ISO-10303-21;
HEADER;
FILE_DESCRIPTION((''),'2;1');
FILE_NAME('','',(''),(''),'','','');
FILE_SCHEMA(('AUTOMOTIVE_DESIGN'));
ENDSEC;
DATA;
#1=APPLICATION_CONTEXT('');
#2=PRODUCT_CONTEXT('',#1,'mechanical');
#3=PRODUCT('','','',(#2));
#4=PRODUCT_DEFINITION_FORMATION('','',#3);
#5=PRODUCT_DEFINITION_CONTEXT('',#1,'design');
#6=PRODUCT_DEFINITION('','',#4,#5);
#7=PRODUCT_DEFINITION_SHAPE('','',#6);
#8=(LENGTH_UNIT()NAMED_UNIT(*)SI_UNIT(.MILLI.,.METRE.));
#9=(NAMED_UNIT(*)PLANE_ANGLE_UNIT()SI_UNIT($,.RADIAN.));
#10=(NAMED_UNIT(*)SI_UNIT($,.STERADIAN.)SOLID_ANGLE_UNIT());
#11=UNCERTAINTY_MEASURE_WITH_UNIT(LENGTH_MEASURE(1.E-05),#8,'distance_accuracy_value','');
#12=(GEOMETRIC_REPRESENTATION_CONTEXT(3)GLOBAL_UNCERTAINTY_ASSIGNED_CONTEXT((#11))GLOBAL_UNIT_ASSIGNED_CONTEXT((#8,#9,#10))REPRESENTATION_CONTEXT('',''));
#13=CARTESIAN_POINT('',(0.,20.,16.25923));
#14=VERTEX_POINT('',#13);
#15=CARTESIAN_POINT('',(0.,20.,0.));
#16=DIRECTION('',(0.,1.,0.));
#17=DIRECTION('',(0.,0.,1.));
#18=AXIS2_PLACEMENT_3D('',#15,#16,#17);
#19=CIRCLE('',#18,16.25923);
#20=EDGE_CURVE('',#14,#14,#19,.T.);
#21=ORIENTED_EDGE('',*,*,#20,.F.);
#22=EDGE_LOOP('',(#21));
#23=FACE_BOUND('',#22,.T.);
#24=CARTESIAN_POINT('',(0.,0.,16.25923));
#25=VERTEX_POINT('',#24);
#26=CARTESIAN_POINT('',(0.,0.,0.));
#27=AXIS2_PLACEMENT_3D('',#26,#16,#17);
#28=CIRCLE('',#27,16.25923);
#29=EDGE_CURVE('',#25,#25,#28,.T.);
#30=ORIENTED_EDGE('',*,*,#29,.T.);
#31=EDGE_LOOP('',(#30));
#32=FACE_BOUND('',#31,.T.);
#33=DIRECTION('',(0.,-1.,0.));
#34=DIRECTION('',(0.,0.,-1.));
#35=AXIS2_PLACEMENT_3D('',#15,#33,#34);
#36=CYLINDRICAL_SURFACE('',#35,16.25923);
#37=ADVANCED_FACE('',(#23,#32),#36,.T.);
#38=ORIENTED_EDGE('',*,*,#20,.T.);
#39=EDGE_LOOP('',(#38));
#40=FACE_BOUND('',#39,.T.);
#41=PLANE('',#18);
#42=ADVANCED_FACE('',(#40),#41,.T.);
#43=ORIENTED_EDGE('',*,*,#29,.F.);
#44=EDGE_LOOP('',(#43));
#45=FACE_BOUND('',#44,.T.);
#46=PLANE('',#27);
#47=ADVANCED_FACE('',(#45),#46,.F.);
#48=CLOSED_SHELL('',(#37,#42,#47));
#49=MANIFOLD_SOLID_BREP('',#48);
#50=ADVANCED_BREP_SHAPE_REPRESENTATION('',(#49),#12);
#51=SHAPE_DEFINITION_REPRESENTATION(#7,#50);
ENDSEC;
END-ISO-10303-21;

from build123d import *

# Parameters (mm, degrees)
SKETCH_1_R      = 16.259229669
EXTRUDE_1_DEPTH = 20


with BuildPart() as part:
    # Эскиз1 → Вытянуть1 (new body)
    with BuildSketch(Plane(origin=(0, 0, 0), x_dir=(1, 0, 0), z_dir=(0, 1, 0))):
        with Locations(Location((0, 0, 0), (0, 0, 270))):
            Circle(SKETCH_1_R)
    extrude(amount=EXTRUDE_1_DEPTH)


solid = part.part
